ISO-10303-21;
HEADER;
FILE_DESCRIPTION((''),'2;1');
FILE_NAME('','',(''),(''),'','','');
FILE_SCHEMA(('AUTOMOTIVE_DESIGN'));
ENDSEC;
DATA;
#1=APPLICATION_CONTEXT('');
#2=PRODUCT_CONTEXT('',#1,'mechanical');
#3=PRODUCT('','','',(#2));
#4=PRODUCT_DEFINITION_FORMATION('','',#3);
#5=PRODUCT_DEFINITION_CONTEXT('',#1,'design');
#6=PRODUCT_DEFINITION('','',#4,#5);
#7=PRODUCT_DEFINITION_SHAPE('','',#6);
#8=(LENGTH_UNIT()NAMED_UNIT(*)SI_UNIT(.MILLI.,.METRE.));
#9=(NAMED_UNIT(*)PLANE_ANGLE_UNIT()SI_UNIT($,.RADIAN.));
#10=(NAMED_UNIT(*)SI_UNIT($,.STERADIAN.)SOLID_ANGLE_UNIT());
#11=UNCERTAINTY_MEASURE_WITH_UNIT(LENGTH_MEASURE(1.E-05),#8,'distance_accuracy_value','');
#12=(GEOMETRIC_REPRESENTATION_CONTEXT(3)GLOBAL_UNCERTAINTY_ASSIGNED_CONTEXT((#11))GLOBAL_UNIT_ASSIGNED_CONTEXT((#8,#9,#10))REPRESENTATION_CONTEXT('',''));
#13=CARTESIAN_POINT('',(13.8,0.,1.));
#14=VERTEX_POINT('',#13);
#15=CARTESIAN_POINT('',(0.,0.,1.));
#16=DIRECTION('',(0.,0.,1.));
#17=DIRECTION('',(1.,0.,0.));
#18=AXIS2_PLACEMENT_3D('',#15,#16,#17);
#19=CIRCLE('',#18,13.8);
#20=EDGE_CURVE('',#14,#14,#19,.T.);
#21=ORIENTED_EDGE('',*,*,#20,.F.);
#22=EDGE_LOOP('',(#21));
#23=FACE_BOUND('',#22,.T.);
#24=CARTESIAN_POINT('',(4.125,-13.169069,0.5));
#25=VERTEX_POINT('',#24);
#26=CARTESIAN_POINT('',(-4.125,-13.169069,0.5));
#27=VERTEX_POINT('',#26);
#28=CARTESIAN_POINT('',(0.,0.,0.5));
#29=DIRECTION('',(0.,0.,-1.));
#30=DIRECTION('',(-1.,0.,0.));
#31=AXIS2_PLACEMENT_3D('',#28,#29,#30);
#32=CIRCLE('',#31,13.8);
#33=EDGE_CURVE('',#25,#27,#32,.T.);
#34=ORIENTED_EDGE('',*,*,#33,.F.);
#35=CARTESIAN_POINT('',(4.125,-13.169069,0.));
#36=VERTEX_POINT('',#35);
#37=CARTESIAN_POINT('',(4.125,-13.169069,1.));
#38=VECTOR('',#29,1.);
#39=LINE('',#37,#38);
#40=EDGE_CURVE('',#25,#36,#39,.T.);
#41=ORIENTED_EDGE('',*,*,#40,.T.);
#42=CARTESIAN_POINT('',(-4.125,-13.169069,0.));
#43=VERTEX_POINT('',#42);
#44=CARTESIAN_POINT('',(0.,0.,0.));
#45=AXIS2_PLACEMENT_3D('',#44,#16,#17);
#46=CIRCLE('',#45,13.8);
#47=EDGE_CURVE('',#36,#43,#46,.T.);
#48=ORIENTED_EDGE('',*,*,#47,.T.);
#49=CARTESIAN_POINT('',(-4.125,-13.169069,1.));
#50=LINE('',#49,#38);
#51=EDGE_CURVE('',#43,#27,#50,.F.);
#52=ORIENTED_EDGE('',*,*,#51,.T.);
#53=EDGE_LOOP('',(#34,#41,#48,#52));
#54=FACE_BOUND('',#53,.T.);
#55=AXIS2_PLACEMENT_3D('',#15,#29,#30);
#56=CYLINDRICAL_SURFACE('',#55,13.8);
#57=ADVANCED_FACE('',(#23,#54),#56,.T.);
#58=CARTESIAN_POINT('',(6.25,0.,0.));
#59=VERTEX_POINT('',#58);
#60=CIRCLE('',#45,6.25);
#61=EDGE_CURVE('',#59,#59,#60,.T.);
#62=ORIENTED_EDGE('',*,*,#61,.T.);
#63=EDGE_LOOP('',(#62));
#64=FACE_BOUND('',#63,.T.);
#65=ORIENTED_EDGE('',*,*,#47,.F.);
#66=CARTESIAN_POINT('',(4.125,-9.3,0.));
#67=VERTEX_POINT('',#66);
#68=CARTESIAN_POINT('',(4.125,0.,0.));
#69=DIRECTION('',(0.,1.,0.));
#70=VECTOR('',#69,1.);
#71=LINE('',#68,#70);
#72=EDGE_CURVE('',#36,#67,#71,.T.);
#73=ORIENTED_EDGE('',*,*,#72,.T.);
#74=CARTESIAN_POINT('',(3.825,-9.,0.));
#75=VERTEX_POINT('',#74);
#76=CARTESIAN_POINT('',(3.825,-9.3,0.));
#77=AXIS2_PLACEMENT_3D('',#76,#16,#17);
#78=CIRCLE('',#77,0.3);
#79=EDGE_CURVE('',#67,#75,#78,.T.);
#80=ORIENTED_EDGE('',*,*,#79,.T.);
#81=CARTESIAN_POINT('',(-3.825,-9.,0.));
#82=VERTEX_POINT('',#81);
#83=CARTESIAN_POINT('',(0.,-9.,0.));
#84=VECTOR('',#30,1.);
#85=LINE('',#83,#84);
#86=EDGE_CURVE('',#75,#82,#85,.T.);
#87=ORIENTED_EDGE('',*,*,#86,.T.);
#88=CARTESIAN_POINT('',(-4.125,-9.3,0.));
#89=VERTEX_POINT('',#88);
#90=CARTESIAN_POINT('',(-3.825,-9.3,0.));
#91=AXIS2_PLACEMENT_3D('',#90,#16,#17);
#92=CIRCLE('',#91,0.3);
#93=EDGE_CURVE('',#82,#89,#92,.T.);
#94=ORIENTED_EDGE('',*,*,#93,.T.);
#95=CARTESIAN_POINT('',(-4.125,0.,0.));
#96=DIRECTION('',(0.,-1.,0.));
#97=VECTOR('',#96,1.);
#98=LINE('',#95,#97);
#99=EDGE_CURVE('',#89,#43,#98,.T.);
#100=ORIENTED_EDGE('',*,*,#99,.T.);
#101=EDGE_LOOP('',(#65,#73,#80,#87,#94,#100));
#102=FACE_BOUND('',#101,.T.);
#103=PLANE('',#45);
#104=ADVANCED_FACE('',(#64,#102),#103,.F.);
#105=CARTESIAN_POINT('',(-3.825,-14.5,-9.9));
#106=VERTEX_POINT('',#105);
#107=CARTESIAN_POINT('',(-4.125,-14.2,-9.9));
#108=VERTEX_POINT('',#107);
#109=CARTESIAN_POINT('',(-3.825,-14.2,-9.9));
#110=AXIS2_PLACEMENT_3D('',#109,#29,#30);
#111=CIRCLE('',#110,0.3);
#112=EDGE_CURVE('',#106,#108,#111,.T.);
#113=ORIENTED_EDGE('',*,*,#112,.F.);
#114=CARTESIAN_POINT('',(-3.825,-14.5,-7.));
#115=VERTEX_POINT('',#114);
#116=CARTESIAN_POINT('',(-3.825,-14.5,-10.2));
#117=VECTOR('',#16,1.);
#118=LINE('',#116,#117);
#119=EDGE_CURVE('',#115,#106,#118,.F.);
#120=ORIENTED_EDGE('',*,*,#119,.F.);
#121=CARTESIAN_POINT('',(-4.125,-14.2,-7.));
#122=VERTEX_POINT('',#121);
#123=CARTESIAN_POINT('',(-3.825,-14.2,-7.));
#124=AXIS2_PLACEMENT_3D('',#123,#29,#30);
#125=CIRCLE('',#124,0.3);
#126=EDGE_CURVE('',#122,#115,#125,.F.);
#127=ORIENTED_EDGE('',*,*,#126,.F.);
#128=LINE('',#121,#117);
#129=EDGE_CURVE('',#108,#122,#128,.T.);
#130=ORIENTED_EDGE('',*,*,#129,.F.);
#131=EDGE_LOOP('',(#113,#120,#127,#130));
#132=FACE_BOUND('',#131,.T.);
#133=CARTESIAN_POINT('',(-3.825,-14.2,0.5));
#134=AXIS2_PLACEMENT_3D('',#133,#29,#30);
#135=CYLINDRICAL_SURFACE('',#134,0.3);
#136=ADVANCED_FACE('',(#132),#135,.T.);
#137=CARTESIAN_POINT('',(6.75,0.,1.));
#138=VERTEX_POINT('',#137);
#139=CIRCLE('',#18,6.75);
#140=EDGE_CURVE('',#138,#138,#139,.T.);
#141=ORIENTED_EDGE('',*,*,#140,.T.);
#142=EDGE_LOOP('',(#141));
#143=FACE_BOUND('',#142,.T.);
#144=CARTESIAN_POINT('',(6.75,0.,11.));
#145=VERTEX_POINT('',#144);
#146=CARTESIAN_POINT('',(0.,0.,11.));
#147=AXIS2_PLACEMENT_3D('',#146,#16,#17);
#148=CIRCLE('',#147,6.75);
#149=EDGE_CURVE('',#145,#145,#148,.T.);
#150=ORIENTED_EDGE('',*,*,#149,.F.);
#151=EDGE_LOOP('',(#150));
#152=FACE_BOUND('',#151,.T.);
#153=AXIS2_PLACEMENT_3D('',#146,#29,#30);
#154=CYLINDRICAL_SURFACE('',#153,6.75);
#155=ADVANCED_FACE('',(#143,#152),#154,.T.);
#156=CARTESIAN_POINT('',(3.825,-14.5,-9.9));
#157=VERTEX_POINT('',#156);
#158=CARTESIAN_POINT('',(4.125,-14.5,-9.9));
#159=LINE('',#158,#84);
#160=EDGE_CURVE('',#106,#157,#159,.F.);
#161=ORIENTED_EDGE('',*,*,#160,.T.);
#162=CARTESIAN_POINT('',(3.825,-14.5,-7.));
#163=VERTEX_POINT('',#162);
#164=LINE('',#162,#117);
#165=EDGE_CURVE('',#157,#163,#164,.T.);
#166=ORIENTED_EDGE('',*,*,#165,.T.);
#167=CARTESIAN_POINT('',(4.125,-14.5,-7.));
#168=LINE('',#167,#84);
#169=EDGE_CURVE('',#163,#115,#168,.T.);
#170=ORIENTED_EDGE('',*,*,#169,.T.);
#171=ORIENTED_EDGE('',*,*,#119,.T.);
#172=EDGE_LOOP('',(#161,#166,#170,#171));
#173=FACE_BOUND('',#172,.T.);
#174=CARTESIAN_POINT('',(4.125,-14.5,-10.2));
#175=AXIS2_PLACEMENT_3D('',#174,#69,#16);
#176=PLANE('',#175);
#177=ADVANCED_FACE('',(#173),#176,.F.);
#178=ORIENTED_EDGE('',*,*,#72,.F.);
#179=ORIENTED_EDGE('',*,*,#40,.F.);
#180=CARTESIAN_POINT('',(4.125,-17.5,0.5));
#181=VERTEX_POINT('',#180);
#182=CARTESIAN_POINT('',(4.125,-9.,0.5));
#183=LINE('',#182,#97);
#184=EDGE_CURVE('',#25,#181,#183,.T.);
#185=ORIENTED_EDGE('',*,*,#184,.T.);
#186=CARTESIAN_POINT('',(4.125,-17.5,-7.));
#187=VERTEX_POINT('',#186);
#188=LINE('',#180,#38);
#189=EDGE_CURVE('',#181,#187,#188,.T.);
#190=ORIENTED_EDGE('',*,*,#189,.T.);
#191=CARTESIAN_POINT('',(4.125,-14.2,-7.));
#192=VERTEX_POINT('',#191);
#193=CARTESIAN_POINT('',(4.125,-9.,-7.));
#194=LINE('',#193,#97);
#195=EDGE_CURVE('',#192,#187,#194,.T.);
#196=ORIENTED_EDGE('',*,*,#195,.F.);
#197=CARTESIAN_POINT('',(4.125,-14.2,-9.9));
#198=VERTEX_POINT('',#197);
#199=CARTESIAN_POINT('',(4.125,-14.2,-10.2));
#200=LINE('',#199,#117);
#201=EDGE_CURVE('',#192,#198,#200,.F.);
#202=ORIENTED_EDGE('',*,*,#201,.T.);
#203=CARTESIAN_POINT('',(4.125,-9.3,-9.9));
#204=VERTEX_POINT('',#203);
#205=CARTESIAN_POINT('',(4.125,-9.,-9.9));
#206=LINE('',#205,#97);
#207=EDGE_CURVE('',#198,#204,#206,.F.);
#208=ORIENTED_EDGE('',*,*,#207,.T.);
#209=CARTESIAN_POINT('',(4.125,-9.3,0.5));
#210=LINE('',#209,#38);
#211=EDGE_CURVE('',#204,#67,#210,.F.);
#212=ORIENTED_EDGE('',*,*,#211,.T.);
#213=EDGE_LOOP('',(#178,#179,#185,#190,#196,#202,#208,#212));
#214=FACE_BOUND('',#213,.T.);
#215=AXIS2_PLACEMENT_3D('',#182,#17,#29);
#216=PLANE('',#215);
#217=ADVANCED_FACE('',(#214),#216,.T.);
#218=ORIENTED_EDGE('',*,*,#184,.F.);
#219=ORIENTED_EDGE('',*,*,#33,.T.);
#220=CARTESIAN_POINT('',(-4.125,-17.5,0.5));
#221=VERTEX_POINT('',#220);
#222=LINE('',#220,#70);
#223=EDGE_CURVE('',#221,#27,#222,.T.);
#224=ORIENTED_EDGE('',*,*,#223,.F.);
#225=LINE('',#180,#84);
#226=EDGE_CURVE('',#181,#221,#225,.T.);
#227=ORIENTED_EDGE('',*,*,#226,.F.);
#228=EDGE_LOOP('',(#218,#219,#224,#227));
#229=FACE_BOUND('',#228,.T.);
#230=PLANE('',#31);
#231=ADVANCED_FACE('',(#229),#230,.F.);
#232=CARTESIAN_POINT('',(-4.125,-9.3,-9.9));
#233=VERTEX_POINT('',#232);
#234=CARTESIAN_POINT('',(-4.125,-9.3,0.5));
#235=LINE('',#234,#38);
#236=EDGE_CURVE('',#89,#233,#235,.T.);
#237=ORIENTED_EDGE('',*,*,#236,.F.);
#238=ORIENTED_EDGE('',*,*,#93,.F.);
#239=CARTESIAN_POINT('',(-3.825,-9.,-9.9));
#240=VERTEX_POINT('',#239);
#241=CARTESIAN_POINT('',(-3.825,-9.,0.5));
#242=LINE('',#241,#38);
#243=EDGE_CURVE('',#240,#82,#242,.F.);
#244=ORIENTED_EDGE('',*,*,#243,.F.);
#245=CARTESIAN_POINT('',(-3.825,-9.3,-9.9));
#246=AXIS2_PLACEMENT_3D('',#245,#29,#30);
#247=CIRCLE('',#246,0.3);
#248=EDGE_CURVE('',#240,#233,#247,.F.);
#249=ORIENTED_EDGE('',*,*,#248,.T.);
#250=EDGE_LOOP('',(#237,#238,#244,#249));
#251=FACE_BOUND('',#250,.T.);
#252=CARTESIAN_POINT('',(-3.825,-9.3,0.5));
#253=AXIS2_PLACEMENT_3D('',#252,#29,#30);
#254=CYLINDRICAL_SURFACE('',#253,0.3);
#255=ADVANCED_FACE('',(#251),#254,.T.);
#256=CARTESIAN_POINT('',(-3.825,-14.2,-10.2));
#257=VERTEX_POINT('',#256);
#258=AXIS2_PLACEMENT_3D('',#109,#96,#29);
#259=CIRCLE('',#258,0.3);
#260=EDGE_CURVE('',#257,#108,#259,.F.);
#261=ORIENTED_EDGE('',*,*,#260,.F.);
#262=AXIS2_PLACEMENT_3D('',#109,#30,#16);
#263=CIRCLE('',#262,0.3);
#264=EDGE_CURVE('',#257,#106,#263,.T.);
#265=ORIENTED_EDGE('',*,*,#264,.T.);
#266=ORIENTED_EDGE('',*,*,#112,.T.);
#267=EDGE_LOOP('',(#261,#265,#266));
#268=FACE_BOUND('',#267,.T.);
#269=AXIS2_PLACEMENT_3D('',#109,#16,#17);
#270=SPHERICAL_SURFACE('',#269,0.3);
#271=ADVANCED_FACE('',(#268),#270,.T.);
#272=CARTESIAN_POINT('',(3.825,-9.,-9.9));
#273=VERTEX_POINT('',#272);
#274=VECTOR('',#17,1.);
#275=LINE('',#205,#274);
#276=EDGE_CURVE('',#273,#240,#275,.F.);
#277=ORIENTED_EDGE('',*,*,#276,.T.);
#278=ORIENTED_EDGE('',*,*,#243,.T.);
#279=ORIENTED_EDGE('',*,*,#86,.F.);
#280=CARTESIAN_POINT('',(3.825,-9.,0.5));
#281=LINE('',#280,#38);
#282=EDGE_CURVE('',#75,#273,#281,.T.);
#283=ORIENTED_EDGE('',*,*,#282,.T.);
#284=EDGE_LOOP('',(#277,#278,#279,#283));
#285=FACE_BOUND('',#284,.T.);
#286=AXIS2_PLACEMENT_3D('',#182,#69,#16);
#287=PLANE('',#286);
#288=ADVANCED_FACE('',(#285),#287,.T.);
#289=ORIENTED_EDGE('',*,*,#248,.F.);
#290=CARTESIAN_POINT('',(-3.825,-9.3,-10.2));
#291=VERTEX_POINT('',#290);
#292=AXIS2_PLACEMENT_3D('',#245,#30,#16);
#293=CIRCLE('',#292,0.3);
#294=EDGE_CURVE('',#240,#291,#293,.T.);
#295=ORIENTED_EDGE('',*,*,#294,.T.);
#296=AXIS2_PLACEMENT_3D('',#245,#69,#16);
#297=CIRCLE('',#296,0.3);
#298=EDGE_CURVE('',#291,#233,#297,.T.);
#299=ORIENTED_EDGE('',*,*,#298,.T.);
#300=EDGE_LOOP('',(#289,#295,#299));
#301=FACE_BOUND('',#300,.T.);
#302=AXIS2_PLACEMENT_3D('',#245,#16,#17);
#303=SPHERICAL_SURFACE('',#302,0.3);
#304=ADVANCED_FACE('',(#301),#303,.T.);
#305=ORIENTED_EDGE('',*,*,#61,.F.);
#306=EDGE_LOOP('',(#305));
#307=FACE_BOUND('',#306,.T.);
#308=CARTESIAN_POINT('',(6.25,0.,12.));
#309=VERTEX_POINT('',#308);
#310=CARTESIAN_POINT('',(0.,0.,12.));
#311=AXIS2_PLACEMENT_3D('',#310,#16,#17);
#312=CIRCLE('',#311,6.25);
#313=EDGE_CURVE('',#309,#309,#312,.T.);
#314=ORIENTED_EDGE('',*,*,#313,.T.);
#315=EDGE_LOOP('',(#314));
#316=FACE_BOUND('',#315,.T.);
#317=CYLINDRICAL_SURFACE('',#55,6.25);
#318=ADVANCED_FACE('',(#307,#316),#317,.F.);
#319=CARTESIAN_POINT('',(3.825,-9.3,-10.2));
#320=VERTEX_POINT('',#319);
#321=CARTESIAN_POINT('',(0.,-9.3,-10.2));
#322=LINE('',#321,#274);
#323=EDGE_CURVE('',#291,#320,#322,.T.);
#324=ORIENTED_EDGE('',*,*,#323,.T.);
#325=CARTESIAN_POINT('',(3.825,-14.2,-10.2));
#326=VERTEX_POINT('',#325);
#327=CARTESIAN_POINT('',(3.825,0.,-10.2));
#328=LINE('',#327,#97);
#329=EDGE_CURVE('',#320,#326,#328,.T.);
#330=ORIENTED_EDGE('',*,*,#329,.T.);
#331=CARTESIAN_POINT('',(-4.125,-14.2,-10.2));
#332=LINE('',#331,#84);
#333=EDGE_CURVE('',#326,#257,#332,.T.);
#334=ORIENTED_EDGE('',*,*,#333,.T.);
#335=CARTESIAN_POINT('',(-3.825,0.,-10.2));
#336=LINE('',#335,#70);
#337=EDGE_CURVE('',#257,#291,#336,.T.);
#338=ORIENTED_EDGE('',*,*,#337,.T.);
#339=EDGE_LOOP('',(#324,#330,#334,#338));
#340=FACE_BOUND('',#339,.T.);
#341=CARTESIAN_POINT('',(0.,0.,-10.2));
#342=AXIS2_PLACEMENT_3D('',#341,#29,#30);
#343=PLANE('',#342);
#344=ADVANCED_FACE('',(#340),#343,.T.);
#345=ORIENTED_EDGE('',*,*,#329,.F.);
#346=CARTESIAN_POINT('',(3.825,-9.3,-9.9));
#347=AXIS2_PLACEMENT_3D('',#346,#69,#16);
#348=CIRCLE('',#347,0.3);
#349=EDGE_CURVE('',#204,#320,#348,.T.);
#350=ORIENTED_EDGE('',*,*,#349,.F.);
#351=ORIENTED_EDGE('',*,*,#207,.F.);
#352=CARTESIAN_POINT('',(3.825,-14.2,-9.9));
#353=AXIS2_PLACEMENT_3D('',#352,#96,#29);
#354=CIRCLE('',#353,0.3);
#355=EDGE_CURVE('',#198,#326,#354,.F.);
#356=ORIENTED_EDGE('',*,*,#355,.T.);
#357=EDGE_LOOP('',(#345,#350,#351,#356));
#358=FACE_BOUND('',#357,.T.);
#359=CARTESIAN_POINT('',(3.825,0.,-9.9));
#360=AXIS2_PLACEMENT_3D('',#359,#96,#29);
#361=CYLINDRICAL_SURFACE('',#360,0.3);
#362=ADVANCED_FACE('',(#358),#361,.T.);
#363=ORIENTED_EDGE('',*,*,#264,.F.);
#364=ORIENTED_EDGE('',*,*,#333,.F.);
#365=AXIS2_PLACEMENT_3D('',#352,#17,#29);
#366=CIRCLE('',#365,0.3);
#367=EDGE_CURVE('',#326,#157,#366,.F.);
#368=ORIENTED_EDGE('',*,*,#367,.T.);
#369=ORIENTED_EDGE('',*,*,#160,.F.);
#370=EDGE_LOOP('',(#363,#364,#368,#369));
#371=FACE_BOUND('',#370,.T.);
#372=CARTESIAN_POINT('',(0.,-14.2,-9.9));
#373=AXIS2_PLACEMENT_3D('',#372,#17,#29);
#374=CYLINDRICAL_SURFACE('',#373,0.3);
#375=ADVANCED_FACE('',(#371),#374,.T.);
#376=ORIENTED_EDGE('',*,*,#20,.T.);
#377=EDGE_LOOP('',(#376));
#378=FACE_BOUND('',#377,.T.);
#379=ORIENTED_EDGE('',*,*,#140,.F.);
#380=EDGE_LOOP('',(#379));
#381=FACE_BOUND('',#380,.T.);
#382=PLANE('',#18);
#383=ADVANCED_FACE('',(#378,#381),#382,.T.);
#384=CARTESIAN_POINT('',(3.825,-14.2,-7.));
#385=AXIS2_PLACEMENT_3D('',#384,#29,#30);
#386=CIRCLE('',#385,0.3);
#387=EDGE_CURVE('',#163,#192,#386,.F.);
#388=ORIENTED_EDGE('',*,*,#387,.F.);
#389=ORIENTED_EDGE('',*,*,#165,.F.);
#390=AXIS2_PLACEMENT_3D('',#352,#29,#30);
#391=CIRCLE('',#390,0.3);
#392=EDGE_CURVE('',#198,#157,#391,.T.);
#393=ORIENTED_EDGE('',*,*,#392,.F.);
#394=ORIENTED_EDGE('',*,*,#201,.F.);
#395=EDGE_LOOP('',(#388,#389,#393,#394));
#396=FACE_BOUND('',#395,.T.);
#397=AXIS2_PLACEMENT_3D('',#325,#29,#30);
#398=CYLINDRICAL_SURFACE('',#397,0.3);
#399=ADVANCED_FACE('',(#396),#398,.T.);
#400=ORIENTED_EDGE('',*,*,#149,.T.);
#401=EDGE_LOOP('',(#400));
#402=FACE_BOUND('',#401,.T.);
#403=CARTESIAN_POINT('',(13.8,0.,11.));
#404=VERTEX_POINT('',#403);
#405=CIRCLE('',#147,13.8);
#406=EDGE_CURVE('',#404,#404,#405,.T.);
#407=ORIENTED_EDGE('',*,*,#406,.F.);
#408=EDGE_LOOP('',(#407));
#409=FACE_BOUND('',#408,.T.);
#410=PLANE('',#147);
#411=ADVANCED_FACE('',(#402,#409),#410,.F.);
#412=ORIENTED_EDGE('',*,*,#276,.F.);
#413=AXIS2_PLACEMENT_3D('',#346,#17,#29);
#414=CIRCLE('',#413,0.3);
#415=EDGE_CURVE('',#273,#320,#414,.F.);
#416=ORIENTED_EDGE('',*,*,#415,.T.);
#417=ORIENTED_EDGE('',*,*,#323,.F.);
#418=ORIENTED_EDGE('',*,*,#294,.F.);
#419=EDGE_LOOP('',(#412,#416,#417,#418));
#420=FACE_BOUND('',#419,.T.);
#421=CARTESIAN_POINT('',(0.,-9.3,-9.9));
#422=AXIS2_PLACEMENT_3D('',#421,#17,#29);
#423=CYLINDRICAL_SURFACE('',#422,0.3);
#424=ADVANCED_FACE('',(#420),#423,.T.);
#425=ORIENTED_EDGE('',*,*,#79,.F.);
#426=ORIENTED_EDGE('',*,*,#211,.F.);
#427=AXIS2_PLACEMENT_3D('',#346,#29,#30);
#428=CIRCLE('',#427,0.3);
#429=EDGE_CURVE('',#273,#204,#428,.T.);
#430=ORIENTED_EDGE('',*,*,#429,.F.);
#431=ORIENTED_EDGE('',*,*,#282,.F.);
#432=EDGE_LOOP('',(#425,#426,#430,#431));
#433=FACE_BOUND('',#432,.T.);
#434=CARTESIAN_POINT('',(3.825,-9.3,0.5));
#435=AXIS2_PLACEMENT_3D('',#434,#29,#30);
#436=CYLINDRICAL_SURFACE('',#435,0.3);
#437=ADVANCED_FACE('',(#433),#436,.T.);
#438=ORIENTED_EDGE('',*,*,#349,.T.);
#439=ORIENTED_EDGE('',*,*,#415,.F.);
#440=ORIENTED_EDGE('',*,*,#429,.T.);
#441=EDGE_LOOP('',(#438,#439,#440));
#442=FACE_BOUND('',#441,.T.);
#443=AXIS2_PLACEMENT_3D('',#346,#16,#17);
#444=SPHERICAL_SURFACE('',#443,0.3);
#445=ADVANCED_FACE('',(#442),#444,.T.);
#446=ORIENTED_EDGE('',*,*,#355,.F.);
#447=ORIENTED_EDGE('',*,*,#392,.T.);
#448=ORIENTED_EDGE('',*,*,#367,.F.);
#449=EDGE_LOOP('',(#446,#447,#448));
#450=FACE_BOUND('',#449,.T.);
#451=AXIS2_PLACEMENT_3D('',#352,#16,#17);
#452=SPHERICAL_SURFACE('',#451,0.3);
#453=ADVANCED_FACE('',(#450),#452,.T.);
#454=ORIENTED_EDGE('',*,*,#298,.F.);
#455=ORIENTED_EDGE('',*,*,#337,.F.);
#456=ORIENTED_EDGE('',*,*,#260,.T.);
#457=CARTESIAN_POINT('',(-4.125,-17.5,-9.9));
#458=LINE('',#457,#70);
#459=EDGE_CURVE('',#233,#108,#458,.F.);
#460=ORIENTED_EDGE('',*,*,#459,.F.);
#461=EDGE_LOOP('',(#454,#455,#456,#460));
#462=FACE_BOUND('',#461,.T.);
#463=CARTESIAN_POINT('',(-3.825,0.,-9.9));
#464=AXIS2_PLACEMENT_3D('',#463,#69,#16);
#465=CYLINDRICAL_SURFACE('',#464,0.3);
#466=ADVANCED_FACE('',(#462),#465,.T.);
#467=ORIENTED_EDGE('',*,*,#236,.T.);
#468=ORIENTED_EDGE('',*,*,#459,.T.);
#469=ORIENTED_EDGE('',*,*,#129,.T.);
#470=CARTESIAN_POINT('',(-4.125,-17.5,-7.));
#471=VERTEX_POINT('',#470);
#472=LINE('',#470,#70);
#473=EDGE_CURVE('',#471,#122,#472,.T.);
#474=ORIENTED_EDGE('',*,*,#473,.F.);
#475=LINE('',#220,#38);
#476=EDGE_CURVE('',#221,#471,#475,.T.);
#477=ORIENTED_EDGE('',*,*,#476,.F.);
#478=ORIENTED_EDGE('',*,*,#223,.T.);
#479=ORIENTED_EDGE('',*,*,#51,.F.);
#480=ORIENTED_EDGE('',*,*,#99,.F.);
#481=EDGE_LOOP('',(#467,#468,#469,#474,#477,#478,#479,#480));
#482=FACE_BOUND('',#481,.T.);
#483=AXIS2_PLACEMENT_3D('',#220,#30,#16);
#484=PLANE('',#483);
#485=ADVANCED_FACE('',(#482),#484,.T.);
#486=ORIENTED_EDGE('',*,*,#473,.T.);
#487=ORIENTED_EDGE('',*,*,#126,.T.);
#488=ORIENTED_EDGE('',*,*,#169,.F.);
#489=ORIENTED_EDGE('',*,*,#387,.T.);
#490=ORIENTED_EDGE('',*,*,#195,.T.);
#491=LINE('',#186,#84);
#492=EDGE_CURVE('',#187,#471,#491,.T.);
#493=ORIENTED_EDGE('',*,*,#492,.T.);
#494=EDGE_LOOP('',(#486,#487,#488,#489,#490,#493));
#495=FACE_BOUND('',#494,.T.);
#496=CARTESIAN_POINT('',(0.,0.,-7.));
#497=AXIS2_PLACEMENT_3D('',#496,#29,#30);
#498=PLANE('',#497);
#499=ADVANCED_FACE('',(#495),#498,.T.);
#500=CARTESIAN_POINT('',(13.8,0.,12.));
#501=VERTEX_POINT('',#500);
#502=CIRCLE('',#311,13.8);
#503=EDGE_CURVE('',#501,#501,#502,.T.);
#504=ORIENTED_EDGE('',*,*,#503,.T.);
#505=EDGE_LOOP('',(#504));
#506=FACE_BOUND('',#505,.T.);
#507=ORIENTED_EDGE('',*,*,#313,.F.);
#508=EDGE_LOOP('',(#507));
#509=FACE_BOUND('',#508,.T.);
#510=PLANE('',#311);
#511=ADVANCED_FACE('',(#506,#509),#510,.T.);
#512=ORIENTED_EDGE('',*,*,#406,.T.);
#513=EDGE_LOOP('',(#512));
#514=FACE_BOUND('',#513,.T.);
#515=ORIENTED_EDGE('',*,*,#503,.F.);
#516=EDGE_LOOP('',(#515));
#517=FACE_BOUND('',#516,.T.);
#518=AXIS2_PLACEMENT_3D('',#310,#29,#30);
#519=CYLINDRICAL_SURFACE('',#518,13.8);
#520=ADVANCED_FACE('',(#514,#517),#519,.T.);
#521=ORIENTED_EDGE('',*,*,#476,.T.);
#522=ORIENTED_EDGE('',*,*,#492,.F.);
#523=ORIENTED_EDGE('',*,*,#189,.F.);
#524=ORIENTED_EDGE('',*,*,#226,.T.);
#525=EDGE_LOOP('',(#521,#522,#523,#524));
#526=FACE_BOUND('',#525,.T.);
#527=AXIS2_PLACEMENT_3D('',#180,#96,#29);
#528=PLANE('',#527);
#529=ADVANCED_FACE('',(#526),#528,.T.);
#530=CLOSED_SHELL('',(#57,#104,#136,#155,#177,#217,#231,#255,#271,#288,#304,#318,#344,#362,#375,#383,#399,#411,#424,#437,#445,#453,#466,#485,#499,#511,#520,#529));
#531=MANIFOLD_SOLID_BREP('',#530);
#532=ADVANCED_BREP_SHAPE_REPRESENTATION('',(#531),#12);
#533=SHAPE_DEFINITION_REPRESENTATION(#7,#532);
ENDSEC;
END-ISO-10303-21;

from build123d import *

# Parameters (mm, degrees)
SKETCH_1_R           = 13.8
SKETCH_1_R_2         = 6.25
EXTRUDE_1_DEPTH      = 1
SKETCH_2_R           = 6.75
SKETCH_2_R_2         = 6.25
EXTRUDE_2_DEPTH      = 10
SKETCH_3_R           = 13.8
SKETCH_3_R_2         = 6.25
EXTRUDE_3_DEPTH      = 1
EXTRUDE_4_DEPTH      = 7
EXTRUDE_4_DEPTH_BACK = 0.5
SKETCH_4_W           = 8.25
SKETCH_4_H           = 8.5
SKETCH_5_W           = 8.25
SKETCH_5_H           = 5.5
EXTRUDE_5_DEPTH      = 3.2
FILLET_1_R           = 0.3


with BuildPart() as part:
    # Эскиз1 → Бобышка-Вытянуть1 (new body)
    with BuildSketch(Plane.XY):
        Circle(SKETCH_1_R)
        Circle(SKETCH_1_R_2, mode=Mode.SUBTRACT)
    extrude(amount=EXTRUDE_1_DEPTH)

    # Эскиз2 → Бобышка-Вытянуть2 (add)
    with BuildSketch(Plane.XY.offset(1)):
        Circle(SKETCH_2_R)
        Circle(SKETCH_2_R_2, mode=Mode.SUBTRACT)
    extrude(amount=EXTRUDE_2_DEPTH)

    # Эскиз3 → Бобышка-Вытянуть3 (add)
    with BuildSketch(Plane.XY.offset(11)):
        Circle(SKETCH_3_R)
        Circle(SKETCH_3_R_2, mode=Mode.SUBTRACT)
    extrude(amount=EXTRUDE_3_DEPTH)

    # Эскиз4 → Бобышка-Вытянуть4 (add, two sides: drawn at the far end of the back side and taken through both)
    with BuildSketch(Plane(origin=(0, 0, 0), x_dir=(-1, 0, 0), z_dir=(0, 0, -1)).offset(-EXTRUDE_4_DEPTH_BACK)):
        with Locations((0, -13.25)):
            Rectangle(SKETCH_4_W, SKETCH_4_H)
    extrude(amount=EXTRUDE_4_DEPTH + EXTRUDE_4_DEPTH_BACK)

    # Эскиз5 → Бобышка-Вытянуть5 (add)
    with BuildSketch(Plane(origin=(0, 0, -7), x_dir=(-1, 0, 0), z_dir=(0, 0, -1))):
        with Locations((0, -11.75)):
            Rectangle(SKETCH_5_W, SKETCH_5_H)
    extrude(amount=EXTRUDE_5_DEPTH)

    # Скругление1
    fillet_1_edges = [part.edges().sort_by_distance(p)[0] for p in [
        (4.125, -9, -5.1),
        (-4.125, -9, -5.1),
        (4.125, -14.5, -8.6),
        (-4.125, -14.5, -8.6),
        (4.125, -11.75, -10.2),
        (0, -14.5, -10.2),
        (-4.125, -11.75, -10.2),
        (0, -9, -10.2),
    ]]
    fillet(fillet_1_edges, radius=FILLET_1_R)


solid = part.part
